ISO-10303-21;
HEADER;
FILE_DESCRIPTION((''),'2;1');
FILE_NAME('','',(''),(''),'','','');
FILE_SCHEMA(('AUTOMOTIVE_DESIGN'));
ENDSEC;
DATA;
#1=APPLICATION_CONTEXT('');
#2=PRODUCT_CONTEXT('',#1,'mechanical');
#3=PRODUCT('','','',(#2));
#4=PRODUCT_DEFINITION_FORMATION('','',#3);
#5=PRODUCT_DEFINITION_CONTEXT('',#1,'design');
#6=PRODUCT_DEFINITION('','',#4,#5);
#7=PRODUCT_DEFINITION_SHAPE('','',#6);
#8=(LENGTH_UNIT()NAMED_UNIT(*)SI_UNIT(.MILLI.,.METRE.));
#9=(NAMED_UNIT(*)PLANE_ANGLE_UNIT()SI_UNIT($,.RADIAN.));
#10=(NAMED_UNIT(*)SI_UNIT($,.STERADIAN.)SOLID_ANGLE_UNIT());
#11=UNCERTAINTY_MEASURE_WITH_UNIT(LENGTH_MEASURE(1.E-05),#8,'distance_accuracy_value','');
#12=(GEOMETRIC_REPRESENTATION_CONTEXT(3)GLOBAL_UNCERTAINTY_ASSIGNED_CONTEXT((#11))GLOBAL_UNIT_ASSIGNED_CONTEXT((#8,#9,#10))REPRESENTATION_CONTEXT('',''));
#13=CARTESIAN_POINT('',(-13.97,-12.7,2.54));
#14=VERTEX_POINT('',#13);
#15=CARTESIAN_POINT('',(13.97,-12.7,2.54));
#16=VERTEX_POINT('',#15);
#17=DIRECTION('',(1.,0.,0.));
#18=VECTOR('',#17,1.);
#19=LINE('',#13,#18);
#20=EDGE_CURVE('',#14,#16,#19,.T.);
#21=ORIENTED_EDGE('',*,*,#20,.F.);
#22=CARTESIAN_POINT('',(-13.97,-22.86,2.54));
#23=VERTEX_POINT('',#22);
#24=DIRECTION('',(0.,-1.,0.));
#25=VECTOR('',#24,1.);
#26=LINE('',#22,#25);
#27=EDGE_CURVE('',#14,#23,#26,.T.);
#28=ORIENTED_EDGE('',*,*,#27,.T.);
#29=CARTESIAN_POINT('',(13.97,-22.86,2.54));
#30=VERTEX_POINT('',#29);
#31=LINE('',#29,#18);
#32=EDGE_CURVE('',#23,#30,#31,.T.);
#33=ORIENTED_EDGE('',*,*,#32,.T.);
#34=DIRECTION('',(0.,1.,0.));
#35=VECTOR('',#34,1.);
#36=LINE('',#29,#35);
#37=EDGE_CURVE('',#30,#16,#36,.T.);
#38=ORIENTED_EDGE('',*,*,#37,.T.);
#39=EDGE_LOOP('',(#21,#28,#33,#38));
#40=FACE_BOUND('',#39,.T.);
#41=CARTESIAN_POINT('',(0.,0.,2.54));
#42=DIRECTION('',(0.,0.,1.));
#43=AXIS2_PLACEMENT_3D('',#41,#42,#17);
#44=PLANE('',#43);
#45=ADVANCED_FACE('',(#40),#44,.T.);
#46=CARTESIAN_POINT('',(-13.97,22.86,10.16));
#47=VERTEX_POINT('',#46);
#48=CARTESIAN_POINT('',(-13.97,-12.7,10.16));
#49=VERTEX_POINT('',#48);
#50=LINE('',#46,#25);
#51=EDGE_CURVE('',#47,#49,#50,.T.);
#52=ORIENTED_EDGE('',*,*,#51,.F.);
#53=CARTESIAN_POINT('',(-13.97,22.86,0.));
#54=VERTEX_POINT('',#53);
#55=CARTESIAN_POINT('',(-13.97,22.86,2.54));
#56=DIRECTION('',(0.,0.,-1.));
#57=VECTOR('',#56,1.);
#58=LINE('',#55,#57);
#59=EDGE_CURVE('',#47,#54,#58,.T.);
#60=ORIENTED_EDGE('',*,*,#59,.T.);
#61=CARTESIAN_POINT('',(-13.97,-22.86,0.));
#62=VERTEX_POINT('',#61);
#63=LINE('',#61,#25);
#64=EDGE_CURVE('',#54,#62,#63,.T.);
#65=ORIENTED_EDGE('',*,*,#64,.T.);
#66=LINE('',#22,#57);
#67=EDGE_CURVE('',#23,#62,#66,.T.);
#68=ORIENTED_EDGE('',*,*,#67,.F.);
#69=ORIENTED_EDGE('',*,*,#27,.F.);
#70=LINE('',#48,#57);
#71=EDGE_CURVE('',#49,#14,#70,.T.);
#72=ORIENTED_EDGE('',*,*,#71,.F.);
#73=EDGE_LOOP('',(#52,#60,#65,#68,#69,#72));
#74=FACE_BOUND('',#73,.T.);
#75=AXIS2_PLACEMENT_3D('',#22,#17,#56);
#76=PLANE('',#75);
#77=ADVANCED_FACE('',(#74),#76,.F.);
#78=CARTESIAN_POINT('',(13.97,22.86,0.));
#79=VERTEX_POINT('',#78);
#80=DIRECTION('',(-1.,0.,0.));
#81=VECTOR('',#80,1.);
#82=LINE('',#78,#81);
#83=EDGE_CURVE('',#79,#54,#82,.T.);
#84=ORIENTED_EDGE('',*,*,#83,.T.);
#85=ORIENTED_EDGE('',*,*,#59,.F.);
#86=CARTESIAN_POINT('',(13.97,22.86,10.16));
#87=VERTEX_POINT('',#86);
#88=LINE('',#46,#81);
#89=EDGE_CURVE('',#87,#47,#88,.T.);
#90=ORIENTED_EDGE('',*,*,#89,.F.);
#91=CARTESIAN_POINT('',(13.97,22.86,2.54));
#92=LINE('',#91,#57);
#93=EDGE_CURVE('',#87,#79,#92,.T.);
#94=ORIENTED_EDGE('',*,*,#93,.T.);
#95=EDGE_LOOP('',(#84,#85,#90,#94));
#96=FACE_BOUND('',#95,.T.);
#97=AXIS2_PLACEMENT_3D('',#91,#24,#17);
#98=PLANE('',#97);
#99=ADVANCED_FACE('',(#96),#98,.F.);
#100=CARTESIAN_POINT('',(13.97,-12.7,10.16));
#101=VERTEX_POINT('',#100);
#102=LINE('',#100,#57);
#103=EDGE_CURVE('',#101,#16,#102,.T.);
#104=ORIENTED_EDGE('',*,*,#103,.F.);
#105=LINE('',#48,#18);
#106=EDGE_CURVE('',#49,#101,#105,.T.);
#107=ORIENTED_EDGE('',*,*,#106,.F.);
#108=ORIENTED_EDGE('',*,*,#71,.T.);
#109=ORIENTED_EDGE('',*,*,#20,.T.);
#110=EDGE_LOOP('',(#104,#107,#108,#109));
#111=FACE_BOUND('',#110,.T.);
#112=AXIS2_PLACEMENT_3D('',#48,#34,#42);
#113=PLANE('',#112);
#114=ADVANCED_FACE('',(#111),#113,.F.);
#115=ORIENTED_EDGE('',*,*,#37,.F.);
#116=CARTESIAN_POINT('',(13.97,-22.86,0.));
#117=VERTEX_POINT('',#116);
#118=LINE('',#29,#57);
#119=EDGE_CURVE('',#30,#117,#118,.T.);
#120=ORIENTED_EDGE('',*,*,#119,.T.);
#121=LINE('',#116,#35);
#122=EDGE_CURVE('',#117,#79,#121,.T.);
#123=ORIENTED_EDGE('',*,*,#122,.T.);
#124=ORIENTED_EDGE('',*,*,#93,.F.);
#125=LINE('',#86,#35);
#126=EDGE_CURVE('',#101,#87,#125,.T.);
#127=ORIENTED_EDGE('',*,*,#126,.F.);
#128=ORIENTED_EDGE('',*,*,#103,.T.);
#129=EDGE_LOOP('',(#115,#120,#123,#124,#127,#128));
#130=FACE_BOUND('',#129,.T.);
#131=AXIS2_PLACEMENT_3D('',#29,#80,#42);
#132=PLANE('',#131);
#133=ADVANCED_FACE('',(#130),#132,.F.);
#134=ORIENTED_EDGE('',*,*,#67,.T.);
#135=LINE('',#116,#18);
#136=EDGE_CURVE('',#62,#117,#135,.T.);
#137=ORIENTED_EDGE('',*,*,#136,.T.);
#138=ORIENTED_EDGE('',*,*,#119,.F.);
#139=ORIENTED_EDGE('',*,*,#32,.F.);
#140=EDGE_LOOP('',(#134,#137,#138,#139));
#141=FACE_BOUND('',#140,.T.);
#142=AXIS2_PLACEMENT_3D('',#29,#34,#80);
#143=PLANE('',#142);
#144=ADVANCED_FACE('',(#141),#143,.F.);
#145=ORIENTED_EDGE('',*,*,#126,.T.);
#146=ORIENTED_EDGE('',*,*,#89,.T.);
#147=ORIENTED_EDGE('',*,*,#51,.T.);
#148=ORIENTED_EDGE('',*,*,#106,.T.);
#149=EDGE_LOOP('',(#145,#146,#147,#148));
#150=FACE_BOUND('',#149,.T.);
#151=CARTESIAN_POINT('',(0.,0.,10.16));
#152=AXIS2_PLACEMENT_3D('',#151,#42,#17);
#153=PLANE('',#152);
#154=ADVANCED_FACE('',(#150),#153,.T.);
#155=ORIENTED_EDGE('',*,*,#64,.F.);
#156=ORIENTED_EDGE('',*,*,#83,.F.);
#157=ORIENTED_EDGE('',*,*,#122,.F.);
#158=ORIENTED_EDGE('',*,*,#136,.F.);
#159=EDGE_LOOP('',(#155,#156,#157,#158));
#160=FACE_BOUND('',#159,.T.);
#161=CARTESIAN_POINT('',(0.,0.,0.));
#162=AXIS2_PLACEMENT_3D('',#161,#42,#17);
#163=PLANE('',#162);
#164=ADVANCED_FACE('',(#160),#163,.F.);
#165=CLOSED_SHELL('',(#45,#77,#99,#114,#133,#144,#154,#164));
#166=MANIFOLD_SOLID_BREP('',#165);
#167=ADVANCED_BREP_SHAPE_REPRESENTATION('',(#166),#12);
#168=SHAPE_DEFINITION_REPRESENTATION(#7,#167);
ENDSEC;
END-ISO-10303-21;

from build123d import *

# Parameters (mm, degrees)
SKETCH1_W           = 27.94
SKETCH1_H           = 45.72
BOSS_EXTRUDE1_DEPTH = 2.54
SKETCH2_W           = 27.94
SKETCH2_H           = 35.56
BOSS_EXTRUDE2_DEPTH = 7.62


with BuildPart() as part:
    # Sketch1 → Boss-Extrude1 (new body)
    with BuildSketch(Plane.XY):
        Rectangle(SKETCH1_W, SKETCH1_H)
    extrude(amount=BOSS_EXTRUDE1_DEPTH)

    # Sketch2 → Boss-Extrude2 (add)
    with BuildSketch(Plane.XY.offset(2.54)):
        with Locations((0, 5.08)):
            Rectangle(SKETCH2_W, SKETCH2_H)
    extrude(amount=BOSS_EXTRUDE2_DEPTH)


solid = part.part
